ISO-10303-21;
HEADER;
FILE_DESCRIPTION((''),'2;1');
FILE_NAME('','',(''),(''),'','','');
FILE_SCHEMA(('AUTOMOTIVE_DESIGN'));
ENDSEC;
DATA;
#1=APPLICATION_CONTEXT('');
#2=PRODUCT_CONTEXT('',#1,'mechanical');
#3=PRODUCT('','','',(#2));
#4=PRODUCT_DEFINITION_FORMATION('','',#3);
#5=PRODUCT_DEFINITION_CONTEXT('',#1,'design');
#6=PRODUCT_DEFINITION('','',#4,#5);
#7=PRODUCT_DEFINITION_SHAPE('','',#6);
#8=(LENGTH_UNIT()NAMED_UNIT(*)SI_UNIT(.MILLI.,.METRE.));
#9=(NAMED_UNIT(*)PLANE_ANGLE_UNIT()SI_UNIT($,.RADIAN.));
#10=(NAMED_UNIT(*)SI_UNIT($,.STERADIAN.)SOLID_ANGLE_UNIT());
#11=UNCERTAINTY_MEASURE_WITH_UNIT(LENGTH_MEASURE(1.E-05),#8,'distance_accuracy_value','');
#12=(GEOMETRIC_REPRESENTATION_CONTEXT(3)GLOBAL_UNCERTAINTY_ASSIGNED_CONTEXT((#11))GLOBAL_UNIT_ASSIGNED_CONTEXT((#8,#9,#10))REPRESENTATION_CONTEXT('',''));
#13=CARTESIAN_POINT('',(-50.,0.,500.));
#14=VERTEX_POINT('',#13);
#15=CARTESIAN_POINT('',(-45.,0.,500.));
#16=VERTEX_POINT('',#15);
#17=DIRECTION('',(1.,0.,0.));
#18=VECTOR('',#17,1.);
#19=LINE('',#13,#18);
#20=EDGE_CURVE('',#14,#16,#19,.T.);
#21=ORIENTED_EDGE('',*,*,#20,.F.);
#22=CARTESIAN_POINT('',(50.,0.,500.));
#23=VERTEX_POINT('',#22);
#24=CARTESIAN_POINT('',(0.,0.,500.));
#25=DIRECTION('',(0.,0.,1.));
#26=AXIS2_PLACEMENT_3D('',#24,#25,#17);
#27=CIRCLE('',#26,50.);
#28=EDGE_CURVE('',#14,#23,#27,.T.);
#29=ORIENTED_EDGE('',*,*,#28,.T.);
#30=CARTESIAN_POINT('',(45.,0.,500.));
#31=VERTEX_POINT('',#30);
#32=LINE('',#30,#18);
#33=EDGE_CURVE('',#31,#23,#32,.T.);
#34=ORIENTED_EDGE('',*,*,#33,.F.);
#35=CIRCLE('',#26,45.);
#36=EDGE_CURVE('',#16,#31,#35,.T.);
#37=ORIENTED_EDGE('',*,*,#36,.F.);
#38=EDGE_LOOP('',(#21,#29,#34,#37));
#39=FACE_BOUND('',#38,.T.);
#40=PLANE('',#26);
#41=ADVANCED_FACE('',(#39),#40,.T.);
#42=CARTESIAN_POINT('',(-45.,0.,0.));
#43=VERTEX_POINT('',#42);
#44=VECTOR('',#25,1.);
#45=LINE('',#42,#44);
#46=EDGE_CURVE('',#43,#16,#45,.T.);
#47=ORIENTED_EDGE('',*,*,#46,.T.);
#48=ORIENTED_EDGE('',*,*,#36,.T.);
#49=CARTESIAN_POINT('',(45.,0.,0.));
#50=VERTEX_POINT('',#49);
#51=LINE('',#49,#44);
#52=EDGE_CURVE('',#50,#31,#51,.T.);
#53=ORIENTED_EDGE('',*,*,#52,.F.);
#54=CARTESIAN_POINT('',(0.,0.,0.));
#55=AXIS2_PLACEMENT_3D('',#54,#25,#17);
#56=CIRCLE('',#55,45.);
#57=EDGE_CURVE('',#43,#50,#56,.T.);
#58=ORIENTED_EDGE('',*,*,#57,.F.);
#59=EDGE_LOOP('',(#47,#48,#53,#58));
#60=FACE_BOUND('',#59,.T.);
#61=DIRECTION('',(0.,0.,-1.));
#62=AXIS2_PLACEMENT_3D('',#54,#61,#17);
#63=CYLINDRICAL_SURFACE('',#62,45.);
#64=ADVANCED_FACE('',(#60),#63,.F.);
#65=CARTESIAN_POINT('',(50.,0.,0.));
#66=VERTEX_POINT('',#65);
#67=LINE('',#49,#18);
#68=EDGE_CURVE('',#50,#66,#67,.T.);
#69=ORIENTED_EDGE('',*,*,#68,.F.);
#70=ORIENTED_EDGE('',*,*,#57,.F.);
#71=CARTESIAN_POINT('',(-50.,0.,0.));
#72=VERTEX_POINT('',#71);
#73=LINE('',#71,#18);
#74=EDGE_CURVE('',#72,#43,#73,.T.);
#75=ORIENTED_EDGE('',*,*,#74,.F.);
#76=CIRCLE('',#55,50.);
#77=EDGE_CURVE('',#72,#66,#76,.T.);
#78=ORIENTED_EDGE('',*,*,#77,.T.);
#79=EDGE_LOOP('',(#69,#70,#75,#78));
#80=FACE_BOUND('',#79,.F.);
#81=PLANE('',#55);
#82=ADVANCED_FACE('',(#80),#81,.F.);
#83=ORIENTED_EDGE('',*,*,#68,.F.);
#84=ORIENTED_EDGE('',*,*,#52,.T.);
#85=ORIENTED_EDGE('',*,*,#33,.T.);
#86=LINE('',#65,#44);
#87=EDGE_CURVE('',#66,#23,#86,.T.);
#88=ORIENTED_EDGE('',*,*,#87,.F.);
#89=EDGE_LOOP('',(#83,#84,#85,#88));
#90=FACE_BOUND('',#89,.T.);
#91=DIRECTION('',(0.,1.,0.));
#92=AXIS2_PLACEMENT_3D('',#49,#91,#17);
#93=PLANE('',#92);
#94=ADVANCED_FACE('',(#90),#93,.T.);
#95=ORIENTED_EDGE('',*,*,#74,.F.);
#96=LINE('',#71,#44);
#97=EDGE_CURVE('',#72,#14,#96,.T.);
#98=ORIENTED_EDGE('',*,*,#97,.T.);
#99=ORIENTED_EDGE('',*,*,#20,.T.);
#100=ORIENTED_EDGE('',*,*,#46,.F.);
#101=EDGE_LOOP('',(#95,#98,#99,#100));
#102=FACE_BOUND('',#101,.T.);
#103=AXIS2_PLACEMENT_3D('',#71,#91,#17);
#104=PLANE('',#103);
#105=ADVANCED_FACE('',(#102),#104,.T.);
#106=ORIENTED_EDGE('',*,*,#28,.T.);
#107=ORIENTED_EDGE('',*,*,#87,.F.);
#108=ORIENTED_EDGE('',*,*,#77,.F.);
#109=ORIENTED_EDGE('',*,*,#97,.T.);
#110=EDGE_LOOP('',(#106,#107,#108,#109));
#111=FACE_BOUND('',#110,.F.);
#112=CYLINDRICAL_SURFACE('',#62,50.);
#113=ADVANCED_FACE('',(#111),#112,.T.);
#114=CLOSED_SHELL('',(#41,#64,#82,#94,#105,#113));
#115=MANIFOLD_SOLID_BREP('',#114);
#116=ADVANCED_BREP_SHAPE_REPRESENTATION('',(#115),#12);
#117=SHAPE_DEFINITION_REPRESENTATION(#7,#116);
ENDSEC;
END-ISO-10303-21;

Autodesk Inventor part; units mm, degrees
ref_plane "YZ Plane" through (0, 0, 0) normal (1, 0, 0) x (0, 1, 0)
ref_plane "XZ Plane" through (0, 0, 0) normal (0, 1, 0) x (-1, 0, 0)
ref_plane "XY Plane" through (0, 0, 0) normal (0, 0, 1) x (1, 0, 0)
sketch "Sketch1" plane through (0, 0, 0) normal (0, 0, 1) x (1, 0, 0)
  circle A0 centre (0, 0) radius 50
  circle A1 centre (0, 0) radius 45
  line L0 (-50, 0) -> (-45, 0)
  line L1 (45, 0) -> (50, 0)
  dimension "d0" = 100
  dimension "d1" = 90
extrude "Extrusion1" add sketch "Sketch1" along normal blind 500 contours A0 L0 A1 L1 picked at (0, -46.5023)
properties part number "target"
